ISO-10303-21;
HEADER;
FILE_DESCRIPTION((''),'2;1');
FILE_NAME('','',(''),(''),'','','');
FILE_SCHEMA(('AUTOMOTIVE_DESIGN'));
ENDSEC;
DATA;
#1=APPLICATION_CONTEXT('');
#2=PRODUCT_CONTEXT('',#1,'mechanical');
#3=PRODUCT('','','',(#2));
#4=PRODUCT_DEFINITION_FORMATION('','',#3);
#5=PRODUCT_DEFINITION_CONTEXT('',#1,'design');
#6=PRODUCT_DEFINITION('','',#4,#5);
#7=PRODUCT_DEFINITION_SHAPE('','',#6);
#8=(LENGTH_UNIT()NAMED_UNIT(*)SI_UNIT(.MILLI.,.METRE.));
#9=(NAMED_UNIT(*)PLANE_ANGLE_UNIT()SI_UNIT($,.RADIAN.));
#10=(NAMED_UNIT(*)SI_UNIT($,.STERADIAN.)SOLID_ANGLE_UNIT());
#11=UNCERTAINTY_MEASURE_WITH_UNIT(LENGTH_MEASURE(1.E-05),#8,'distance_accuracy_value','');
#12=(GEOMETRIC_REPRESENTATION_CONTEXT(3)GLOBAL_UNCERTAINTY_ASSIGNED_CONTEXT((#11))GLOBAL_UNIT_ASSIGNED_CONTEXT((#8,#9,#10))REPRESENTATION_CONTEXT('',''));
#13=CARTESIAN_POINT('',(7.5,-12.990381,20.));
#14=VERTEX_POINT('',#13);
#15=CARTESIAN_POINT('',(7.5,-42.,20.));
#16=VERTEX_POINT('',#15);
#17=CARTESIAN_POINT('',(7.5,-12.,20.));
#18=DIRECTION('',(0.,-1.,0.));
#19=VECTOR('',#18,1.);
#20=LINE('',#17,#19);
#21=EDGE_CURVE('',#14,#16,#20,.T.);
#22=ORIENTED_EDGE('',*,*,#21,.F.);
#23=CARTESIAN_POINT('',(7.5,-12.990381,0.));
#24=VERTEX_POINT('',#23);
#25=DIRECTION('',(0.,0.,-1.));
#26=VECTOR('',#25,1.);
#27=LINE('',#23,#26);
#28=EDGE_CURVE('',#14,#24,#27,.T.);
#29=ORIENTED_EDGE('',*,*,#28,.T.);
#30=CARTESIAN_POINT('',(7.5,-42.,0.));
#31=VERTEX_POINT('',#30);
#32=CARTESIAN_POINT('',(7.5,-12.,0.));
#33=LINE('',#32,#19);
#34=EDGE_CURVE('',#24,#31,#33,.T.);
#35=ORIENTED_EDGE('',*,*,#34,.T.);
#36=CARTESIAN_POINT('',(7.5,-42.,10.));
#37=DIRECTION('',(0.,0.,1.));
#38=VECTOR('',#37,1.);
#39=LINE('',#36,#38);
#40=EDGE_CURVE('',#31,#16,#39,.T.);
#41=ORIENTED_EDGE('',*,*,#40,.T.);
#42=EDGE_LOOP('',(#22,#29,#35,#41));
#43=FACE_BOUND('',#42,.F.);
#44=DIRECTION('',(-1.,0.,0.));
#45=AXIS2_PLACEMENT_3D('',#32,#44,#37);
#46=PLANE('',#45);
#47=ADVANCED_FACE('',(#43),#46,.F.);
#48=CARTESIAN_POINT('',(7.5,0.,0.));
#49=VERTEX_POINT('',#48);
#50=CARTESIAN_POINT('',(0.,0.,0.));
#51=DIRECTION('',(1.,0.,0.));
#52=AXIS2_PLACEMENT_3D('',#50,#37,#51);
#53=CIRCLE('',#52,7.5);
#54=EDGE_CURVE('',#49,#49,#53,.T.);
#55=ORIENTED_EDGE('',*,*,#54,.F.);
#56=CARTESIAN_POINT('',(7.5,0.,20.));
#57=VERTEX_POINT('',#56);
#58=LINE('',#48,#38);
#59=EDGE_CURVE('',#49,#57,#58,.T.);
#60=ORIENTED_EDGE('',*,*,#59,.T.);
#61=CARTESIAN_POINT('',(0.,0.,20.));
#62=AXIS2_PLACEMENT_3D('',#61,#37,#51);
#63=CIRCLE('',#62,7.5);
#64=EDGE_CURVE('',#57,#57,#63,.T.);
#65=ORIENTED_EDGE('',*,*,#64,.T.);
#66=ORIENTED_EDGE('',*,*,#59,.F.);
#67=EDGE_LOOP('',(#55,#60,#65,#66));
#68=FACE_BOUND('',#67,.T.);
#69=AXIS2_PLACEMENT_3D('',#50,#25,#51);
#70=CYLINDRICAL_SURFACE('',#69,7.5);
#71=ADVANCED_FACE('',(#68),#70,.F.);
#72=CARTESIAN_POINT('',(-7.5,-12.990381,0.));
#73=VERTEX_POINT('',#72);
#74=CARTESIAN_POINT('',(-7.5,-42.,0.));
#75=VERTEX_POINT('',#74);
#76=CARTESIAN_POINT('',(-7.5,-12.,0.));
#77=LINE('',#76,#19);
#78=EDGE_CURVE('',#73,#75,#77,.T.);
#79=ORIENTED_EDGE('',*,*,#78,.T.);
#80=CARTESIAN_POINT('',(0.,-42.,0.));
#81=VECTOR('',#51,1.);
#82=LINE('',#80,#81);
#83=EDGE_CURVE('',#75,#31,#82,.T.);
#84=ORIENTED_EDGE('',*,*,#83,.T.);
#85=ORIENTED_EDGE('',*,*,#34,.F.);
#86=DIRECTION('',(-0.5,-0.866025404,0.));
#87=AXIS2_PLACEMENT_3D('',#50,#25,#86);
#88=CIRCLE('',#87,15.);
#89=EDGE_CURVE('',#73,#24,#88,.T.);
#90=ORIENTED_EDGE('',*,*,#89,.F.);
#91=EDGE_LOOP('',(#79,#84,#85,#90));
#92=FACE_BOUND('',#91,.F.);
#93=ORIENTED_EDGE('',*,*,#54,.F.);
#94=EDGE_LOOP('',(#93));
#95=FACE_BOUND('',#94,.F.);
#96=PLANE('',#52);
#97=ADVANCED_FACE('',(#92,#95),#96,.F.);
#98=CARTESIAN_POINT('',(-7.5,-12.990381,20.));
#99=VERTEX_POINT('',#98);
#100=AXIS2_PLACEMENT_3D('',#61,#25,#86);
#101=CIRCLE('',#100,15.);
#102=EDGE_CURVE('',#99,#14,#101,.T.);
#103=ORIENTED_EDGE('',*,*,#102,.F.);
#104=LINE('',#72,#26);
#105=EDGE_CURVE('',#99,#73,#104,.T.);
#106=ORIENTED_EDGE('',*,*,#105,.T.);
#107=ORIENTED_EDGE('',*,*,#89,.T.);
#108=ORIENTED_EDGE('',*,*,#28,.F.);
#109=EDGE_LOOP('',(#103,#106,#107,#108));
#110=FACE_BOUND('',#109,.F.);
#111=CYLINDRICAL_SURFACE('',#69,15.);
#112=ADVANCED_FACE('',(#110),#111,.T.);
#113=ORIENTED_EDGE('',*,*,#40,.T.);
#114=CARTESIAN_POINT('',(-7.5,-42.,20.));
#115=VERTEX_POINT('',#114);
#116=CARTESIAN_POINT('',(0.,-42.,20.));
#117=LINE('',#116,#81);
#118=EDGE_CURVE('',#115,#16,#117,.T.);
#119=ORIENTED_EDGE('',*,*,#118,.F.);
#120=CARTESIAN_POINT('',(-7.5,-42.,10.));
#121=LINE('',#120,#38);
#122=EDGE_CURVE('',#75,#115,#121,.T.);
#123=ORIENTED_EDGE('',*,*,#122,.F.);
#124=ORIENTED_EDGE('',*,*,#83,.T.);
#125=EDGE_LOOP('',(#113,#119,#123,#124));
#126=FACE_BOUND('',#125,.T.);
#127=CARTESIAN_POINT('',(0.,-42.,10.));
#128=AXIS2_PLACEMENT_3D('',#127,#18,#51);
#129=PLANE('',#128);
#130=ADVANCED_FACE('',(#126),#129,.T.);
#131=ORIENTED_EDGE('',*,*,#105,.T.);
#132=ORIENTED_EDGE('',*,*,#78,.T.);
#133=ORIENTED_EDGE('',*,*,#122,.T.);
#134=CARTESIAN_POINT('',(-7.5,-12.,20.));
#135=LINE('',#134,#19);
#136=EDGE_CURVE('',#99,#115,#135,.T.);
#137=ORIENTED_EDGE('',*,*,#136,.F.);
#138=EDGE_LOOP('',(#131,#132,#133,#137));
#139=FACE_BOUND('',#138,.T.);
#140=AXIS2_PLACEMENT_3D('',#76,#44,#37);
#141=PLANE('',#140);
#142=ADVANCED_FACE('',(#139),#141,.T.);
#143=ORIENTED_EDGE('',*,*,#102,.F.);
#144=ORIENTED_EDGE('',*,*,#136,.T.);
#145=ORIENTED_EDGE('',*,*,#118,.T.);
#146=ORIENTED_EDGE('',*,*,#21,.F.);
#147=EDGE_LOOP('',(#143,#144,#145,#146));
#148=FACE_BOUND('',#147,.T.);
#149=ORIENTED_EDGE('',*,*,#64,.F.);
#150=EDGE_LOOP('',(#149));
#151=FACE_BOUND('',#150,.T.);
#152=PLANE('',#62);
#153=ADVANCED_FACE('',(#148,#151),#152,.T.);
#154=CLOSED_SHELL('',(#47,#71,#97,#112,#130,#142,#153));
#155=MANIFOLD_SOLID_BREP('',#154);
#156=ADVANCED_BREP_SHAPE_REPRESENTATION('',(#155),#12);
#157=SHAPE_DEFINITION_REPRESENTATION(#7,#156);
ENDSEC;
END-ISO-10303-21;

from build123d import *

# Parameters (mm, degrees)
F0_R     = 15
F0_R_2   = 7.5
F1_DEPTH = 20
F3_W     = 15
F3_H     = 20
F4_DEPTH = 30


with BuildPart() as f1:
    # F0 (on Top) → F1 (new body)
    with BuildSketch(Plane.XY):
        Circle(F0_R)
        Circle(F0_R_2, mode=Mode.SUBTRACT)
    extrude(amount=F1_DEPTH)

    # F3 (on offset) → F4 (join)
    with BuildSketch(Plane.XZ.offset(12)):
        with Locations((0, 10)):
            Rectangle(F3_W, F3_H)
    extrude(amount=F4_DEPTH)


solid = f1.part
